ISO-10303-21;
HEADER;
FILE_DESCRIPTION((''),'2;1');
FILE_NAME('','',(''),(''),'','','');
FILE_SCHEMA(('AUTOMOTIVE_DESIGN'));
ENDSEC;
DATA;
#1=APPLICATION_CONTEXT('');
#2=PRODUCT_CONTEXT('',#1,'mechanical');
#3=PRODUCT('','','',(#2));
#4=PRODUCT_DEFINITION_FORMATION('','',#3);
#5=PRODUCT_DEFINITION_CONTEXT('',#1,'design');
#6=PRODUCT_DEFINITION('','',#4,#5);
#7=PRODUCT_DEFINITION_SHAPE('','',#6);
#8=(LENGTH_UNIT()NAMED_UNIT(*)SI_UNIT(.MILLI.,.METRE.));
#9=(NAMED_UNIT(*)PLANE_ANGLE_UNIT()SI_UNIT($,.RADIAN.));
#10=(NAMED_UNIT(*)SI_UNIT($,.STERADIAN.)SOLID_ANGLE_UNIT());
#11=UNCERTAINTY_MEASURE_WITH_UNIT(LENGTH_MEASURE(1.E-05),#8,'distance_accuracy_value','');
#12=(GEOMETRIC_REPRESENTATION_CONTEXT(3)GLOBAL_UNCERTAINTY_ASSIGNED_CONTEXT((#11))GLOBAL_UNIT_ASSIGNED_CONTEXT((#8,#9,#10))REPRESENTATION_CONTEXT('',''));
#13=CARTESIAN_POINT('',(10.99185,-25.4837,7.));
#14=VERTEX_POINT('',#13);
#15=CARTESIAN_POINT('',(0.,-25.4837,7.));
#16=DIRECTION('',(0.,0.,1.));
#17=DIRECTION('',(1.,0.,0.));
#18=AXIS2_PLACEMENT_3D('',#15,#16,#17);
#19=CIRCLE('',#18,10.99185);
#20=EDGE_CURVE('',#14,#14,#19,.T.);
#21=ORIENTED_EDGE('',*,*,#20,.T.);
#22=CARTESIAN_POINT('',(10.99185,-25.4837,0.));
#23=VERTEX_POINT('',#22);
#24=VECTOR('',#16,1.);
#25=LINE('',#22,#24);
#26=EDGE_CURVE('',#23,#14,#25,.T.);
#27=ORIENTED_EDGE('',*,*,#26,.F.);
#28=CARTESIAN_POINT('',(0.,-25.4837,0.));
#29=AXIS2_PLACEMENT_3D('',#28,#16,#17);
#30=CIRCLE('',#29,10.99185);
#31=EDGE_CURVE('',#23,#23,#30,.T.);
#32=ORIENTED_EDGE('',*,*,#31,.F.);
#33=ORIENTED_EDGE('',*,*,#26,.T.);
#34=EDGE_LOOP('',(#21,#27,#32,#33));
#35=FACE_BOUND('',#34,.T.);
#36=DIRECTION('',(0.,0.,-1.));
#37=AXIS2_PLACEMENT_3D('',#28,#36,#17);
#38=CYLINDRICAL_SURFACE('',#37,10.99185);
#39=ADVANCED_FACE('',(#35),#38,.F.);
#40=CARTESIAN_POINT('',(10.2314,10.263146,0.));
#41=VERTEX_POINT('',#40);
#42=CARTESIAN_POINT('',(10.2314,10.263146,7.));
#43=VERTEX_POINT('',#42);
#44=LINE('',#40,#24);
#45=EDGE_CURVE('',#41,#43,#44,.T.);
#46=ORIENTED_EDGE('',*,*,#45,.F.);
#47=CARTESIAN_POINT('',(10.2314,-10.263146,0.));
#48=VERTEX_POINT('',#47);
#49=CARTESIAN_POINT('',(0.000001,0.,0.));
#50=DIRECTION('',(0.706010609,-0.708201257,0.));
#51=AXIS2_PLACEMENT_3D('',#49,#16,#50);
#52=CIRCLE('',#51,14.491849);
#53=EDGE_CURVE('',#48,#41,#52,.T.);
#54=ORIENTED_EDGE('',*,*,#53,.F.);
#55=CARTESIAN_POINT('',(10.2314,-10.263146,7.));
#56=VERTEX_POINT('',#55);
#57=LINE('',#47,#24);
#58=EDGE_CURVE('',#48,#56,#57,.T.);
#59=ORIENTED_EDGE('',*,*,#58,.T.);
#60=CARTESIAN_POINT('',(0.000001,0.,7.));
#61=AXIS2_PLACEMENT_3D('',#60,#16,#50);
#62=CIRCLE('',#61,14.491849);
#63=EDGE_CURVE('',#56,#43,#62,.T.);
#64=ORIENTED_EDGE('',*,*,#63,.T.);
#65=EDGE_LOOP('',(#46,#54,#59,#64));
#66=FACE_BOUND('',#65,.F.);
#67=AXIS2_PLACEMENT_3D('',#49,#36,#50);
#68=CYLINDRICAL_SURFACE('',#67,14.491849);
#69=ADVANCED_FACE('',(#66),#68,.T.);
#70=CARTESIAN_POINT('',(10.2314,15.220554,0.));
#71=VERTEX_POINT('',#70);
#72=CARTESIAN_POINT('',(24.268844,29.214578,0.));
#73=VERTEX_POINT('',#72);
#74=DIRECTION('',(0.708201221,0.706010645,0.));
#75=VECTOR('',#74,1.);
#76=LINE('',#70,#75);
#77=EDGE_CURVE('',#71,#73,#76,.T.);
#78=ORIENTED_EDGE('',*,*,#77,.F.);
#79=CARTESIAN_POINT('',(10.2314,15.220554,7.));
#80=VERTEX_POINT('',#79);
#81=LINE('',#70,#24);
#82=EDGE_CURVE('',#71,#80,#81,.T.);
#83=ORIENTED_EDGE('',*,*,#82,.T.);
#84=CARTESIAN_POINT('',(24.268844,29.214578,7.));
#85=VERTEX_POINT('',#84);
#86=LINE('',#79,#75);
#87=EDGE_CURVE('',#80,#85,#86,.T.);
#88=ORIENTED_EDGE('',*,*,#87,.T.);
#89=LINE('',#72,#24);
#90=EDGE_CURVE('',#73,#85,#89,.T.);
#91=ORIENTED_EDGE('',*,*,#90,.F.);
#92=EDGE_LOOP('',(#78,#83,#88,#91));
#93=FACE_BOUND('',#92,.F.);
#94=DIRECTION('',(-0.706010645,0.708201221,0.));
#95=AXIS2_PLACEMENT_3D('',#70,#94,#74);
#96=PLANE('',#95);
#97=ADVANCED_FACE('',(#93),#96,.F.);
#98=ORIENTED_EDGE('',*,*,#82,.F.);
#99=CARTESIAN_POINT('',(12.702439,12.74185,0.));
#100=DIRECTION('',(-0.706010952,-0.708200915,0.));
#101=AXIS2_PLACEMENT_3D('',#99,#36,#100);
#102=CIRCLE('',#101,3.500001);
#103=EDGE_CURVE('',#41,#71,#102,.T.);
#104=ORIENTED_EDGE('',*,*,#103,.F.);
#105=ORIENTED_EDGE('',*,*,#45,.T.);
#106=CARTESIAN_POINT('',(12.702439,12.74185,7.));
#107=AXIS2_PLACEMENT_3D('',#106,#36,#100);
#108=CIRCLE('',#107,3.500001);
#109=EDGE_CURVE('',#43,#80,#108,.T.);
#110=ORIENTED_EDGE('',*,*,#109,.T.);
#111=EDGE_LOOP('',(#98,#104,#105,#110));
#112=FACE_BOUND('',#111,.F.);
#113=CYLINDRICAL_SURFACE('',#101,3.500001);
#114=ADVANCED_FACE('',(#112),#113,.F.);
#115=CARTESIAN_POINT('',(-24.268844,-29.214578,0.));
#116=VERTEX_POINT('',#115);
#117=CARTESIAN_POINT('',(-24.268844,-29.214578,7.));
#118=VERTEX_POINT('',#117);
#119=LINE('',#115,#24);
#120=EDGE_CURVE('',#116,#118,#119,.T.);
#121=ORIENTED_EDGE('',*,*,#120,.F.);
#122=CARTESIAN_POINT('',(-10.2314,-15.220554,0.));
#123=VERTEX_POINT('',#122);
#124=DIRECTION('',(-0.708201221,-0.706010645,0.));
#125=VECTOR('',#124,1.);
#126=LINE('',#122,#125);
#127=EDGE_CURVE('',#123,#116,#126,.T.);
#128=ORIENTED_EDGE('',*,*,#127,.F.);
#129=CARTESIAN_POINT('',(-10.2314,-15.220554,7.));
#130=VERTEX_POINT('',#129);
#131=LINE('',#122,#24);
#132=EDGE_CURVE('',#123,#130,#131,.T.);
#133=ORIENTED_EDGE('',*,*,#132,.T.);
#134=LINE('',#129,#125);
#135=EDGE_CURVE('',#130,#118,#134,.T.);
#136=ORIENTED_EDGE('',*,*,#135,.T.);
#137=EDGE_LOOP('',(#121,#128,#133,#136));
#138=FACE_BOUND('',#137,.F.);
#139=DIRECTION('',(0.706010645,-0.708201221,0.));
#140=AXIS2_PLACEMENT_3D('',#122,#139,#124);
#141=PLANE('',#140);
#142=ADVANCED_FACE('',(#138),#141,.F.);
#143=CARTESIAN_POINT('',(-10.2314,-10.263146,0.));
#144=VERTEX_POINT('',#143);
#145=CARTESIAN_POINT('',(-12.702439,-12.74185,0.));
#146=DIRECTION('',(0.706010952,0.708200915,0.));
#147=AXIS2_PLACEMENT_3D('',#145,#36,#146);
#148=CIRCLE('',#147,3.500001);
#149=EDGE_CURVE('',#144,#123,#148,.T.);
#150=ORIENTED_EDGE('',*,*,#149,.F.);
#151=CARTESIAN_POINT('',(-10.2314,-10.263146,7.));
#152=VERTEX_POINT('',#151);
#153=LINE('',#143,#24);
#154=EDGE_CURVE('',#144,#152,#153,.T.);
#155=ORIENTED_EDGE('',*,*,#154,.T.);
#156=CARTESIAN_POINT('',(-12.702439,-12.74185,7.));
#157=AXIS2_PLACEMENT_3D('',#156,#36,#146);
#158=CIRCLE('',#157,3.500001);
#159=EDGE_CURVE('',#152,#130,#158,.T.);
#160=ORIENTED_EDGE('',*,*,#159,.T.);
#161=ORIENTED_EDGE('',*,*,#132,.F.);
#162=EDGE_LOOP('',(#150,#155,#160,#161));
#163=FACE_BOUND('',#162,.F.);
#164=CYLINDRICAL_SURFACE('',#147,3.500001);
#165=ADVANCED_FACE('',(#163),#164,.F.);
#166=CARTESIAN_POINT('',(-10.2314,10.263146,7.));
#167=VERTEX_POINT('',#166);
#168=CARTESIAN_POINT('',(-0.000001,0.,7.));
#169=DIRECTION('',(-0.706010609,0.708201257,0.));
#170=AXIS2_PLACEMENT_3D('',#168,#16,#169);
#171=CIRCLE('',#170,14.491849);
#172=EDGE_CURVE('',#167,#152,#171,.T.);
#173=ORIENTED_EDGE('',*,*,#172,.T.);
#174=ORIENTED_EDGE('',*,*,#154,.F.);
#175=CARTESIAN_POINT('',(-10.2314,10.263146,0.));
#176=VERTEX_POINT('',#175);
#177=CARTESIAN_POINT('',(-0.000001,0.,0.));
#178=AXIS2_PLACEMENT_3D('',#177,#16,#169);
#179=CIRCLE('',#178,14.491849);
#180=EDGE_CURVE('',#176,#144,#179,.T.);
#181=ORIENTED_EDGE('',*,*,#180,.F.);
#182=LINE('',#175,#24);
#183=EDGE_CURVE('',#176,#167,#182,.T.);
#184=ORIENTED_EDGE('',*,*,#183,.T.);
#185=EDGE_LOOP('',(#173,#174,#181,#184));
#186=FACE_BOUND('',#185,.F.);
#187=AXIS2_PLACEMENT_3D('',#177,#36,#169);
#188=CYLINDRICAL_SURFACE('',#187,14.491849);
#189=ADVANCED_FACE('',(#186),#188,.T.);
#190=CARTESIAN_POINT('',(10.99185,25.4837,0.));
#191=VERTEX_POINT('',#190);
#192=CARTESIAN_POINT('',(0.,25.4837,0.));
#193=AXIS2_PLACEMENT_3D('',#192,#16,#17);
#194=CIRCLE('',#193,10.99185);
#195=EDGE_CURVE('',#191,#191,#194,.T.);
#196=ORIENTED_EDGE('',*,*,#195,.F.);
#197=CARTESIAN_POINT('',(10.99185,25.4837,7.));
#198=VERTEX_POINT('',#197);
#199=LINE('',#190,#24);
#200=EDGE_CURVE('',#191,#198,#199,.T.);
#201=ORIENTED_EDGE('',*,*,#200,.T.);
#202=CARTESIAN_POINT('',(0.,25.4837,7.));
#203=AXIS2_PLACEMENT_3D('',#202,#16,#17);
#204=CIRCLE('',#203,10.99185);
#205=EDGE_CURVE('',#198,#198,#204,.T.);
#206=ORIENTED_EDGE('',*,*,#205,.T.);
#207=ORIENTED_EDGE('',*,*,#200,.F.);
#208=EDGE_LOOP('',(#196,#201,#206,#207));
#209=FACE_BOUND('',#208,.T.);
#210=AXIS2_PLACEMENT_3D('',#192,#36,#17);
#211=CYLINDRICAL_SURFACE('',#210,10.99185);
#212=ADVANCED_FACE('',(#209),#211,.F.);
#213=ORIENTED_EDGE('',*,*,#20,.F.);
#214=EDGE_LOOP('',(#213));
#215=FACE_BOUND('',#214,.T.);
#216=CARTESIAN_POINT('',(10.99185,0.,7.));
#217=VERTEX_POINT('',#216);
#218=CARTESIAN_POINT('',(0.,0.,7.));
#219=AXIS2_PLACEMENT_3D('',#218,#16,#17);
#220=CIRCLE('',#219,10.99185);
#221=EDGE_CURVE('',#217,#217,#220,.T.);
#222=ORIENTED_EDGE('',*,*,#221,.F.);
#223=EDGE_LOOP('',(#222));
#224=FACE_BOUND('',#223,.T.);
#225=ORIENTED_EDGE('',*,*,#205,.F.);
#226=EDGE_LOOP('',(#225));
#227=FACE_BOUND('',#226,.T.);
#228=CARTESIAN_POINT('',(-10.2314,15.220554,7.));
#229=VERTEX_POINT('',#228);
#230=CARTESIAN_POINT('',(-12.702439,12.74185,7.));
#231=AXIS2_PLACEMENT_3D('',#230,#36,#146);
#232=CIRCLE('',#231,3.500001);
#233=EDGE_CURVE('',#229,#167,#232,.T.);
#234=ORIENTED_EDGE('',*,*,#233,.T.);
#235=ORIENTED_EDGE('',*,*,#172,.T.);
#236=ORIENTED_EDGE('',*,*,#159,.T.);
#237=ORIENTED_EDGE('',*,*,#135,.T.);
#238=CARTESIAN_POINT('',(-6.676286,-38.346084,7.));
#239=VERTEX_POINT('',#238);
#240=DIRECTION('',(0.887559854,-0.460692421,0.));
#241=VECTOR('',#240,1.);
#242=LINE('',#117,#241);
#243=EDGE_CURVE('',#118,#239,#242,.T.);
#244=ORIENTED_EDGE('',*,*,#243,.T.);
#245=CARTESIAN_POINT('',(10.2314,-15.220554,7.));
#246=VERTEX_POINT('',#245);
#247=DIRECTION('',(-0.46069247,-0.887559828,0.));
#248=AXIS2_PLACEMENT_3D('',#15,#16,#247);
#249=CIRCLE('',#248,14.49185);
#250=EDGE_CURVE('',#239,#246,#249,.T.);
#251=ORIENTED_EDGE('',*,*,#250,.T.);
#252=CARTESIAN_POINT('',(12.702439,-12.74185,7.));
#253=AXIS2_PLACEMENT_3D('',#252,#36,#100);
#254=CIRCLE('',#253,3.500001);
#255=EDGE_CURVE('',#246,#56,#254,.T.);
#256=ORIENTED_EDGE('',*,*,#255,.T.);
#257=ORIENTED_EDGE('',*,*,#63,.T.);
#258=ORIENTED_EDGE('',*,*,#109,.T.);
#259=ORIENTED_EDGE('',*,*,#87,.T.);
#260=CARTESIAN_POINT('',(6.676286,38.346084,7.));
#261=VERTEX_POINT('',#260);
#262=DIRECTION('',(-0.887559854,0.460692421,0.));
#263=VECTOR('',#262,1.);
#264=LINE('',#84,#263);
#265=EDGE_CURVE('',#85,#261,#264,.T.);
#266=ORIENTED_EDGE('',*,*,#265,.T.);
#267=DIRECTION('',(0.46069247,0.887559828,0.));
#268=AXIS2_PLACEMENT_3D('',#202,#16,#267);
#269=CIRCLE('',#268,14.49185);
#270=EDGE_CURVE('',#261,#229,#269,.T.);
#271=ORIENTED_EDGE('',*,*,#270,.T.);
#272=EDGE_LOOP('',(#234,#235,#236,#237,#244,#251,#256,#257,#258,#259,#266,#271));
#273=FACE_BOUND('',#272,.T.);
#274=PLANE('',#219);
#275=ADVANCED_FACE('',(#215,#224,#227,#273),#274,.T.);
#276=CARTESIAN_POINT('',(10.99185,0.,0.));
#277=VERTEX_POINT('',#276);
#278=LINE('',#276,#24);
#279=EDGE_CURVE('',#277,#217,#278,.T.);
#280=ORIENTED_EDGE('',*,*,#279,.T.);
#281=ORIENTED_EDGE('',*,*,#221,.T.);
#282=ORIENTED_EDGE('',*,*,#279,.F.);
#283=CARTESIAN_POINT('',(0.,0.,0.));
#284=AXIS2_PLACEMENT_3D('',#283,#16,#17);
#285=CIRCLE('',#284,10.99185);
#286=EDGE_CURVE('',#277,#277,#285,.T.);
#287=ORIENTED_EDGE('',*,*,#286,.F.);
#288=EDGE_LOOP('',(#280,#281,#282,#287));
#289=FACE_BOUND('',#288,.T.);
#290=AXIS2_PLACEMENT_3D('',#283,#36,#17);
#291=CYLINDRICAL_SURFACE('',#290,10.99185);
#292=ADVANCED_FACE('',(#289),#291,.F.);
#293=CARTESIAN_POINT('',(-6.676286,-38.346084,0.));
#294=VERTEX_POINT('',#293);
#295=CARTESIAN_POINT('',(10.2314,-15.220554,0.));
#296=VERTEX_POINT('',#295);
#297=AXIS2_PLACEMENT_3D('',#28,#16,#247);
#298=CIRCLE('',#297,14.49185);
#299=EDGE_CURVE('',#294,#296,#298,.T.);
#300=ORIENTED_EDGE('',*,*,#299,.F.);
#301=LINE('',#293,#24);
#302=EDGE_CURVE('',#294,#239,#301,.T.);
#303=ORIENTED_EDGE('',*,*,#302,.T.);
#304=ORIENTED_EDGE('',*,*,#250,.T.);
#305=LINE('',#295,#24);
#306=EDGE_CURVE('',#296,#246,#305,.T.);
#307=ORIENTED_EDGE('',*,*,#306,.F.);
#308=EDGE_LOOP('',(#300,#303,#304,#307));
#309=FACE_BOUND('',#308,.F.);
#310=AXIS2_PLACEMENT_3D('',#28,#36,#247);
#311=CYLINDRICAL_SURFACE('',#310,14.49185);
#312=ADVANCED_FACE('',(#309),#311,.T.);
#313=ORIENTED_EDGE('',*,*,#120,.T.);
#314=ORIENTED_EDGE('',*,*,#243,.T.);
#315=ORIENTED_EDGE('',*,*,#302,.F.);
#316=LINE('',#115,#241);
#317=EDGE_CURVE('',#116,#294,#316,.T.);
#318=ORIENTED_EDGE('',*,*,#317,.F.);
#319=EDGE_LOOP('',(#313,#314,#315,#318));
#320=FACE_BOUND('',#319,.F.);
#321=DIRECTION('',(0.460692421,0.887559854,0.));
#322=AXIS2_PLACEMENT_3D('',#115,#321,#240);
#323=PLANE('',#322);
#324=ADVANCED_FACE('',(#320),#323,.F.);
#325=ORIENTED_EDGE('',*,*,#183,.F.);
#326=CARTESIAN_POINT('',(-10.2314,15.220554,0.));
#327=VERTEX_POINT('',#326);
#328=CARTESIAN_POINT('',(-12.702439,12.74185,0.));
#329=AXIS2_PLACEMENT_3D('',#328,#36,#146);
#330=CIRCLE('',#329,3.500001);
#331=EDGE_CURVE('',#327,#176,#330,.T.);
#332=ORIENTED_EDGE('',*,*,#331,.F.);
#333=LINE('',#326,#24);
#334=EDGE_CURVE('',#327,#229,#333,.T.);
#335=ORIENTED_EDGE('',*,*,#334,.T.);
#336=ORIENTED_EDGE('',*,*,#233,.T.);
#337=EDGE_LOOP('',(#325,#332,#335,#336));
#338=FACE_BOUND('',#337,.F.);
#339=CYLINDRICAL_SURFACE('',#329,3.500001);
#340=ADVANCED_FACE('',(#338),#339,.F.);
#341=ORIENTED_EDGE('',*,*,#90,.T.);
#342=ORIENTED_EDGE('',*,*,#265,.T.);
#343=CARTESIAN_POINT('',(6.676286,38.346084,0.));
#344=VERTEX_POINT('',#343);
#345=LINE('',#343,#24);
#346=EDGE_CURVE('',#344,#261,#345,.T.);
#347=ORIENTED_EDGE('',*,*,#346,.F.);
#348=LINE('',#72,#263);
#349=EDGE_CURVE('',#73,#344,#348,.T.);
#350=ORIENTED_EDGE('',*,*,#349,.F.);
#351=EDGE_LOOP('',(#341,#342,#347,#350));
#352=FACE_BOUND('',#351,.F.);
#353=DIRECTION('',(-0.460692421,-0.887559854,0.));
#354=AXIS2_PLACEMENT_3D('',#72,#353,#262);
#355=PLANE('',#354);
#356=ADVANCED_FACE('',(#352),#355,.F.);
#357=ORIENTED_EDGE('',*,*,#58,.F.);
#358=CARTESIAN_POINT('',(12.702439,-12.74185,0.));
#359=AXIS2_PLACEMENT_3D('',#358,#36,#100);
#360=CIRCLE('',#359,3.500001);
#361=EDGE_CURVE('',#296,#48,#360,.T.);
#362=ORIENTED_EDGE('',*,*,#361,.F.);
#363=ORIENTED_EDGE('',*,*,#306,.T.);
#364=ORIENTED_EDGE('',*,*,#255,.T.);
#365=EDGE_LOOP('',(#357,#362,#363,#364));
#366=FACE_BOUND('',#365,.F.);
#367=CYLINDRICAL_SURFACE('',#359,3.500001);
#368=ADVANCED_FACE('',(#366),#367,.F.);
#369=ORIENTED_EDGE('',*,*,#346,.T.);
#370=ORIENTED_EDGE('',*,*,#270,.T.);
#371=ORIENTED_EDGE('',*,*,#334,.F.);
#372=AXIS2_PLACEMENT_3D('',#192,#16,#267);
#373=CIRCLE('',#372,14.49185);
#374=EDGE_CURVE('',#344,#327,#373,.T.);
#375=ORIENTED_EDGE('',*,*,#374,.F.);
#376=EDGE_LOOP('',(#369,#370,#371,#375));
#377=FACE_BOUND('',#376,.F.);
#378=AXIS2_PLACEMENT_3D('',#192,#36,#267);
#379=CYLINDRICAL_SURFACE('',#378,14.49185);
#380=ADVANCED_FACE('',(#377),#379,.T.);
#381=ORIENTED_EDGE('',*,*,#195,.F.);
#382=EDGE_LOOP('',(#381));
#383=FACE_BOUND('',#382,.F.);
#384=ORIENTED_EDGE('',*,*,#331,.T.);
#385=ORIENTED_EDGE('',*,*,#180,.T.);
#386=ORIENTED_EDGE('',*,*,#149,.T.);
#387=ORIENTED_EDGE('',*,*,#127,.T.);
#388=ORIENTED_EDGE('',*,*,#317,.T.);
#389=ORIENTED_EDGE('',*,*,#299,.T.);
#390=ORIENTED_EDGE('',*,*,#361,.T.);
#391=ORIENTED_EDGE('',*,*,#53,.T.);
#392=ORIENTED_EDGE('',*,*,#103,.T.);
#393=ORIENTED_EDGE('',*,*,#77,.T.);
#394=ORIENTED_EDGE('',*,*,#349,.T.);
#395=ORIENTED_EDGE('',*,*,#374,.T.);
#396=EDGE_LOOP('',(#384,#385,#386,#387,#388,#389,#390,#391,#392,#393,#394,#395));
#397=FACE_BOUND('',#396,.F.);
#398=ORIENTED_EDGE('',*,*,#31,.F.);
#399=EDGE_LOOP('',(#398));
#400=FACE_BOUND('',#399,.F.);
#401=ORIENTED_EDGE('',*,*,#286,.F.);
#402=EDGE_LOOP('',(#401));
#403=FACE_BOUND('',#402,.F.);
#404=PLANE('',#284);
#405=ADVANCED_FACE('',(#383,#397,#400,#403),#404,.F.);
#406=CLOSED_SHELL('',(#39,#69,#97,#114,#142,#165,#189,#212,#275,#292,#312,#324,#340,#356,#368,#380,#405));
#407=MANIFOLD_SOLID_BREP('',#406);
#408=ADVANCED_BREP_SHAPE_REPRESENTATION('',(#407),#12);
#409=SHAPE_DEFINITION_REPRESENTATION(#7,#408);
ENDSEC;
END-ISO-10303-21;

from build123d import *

# Parameters (mm, degrees)
F1_R     = 10.99185
F2_DEPTH = 7


with BuildPart() as f2:
    # F1 (on Top) → F2 (new body)
    with BuildSketch(Plane.XY):
        with BuildLine():
            Line((24.268844, 29.214578), (6.676286, 38.346084))
            ThreePointArc((6.676286, 38.346084), (-11.6986, 34.036856), (-10.2314, 15.220554))
            ThreePointArc((-10.2314, 15.220554), (-9.202438, 12.74185), (-10.2314, 10.263146))
            ThreePointArc((-10.2314, 10.263146), (-14.49185, 0), (-10.2314, -10.263146))
            ThreePointArc((-10.2314, -10.263146), (-9.202438, -12.74185), (-10.2314, -15.220554))
            Line((-10.2314, -15.220554), (-24.268844, -29.214578))
            Line((-24.268844, -29.214578), (-6.676286, -38.346084))
            ThreePointArc((-6.676286, -38.346084), (11.6986, -34.036856), (10.2314, -15.220554))
            ThreePointArc((10.2314, -15.220554), (9.202438, -12.74185), (10.2314, -10.263146))
            ThreePointArc((10.2314, -10.263146), (14.49185, 0), (10.2314, 10.263146))
            ThreePointArc((10.2314, 10.263146), (9.202438, 12.74185), (10.2314, 15.220554))
            Line((10.2314, 15.220554), (24.268844, 29.214578))
        make_face()
        with Locations((0, -25.4837)):
            Circle(F1_R, mode=Mode.SUBTRACT)
        Circle(F1_R, mode=Mode.SUBTRACT)
        with Locations((0, 25.4837)):
            Circle(F1_R, mode=Mode.SUBTRACT)
    extrude(amount=F2_DEPTH)


solid = f2.part
